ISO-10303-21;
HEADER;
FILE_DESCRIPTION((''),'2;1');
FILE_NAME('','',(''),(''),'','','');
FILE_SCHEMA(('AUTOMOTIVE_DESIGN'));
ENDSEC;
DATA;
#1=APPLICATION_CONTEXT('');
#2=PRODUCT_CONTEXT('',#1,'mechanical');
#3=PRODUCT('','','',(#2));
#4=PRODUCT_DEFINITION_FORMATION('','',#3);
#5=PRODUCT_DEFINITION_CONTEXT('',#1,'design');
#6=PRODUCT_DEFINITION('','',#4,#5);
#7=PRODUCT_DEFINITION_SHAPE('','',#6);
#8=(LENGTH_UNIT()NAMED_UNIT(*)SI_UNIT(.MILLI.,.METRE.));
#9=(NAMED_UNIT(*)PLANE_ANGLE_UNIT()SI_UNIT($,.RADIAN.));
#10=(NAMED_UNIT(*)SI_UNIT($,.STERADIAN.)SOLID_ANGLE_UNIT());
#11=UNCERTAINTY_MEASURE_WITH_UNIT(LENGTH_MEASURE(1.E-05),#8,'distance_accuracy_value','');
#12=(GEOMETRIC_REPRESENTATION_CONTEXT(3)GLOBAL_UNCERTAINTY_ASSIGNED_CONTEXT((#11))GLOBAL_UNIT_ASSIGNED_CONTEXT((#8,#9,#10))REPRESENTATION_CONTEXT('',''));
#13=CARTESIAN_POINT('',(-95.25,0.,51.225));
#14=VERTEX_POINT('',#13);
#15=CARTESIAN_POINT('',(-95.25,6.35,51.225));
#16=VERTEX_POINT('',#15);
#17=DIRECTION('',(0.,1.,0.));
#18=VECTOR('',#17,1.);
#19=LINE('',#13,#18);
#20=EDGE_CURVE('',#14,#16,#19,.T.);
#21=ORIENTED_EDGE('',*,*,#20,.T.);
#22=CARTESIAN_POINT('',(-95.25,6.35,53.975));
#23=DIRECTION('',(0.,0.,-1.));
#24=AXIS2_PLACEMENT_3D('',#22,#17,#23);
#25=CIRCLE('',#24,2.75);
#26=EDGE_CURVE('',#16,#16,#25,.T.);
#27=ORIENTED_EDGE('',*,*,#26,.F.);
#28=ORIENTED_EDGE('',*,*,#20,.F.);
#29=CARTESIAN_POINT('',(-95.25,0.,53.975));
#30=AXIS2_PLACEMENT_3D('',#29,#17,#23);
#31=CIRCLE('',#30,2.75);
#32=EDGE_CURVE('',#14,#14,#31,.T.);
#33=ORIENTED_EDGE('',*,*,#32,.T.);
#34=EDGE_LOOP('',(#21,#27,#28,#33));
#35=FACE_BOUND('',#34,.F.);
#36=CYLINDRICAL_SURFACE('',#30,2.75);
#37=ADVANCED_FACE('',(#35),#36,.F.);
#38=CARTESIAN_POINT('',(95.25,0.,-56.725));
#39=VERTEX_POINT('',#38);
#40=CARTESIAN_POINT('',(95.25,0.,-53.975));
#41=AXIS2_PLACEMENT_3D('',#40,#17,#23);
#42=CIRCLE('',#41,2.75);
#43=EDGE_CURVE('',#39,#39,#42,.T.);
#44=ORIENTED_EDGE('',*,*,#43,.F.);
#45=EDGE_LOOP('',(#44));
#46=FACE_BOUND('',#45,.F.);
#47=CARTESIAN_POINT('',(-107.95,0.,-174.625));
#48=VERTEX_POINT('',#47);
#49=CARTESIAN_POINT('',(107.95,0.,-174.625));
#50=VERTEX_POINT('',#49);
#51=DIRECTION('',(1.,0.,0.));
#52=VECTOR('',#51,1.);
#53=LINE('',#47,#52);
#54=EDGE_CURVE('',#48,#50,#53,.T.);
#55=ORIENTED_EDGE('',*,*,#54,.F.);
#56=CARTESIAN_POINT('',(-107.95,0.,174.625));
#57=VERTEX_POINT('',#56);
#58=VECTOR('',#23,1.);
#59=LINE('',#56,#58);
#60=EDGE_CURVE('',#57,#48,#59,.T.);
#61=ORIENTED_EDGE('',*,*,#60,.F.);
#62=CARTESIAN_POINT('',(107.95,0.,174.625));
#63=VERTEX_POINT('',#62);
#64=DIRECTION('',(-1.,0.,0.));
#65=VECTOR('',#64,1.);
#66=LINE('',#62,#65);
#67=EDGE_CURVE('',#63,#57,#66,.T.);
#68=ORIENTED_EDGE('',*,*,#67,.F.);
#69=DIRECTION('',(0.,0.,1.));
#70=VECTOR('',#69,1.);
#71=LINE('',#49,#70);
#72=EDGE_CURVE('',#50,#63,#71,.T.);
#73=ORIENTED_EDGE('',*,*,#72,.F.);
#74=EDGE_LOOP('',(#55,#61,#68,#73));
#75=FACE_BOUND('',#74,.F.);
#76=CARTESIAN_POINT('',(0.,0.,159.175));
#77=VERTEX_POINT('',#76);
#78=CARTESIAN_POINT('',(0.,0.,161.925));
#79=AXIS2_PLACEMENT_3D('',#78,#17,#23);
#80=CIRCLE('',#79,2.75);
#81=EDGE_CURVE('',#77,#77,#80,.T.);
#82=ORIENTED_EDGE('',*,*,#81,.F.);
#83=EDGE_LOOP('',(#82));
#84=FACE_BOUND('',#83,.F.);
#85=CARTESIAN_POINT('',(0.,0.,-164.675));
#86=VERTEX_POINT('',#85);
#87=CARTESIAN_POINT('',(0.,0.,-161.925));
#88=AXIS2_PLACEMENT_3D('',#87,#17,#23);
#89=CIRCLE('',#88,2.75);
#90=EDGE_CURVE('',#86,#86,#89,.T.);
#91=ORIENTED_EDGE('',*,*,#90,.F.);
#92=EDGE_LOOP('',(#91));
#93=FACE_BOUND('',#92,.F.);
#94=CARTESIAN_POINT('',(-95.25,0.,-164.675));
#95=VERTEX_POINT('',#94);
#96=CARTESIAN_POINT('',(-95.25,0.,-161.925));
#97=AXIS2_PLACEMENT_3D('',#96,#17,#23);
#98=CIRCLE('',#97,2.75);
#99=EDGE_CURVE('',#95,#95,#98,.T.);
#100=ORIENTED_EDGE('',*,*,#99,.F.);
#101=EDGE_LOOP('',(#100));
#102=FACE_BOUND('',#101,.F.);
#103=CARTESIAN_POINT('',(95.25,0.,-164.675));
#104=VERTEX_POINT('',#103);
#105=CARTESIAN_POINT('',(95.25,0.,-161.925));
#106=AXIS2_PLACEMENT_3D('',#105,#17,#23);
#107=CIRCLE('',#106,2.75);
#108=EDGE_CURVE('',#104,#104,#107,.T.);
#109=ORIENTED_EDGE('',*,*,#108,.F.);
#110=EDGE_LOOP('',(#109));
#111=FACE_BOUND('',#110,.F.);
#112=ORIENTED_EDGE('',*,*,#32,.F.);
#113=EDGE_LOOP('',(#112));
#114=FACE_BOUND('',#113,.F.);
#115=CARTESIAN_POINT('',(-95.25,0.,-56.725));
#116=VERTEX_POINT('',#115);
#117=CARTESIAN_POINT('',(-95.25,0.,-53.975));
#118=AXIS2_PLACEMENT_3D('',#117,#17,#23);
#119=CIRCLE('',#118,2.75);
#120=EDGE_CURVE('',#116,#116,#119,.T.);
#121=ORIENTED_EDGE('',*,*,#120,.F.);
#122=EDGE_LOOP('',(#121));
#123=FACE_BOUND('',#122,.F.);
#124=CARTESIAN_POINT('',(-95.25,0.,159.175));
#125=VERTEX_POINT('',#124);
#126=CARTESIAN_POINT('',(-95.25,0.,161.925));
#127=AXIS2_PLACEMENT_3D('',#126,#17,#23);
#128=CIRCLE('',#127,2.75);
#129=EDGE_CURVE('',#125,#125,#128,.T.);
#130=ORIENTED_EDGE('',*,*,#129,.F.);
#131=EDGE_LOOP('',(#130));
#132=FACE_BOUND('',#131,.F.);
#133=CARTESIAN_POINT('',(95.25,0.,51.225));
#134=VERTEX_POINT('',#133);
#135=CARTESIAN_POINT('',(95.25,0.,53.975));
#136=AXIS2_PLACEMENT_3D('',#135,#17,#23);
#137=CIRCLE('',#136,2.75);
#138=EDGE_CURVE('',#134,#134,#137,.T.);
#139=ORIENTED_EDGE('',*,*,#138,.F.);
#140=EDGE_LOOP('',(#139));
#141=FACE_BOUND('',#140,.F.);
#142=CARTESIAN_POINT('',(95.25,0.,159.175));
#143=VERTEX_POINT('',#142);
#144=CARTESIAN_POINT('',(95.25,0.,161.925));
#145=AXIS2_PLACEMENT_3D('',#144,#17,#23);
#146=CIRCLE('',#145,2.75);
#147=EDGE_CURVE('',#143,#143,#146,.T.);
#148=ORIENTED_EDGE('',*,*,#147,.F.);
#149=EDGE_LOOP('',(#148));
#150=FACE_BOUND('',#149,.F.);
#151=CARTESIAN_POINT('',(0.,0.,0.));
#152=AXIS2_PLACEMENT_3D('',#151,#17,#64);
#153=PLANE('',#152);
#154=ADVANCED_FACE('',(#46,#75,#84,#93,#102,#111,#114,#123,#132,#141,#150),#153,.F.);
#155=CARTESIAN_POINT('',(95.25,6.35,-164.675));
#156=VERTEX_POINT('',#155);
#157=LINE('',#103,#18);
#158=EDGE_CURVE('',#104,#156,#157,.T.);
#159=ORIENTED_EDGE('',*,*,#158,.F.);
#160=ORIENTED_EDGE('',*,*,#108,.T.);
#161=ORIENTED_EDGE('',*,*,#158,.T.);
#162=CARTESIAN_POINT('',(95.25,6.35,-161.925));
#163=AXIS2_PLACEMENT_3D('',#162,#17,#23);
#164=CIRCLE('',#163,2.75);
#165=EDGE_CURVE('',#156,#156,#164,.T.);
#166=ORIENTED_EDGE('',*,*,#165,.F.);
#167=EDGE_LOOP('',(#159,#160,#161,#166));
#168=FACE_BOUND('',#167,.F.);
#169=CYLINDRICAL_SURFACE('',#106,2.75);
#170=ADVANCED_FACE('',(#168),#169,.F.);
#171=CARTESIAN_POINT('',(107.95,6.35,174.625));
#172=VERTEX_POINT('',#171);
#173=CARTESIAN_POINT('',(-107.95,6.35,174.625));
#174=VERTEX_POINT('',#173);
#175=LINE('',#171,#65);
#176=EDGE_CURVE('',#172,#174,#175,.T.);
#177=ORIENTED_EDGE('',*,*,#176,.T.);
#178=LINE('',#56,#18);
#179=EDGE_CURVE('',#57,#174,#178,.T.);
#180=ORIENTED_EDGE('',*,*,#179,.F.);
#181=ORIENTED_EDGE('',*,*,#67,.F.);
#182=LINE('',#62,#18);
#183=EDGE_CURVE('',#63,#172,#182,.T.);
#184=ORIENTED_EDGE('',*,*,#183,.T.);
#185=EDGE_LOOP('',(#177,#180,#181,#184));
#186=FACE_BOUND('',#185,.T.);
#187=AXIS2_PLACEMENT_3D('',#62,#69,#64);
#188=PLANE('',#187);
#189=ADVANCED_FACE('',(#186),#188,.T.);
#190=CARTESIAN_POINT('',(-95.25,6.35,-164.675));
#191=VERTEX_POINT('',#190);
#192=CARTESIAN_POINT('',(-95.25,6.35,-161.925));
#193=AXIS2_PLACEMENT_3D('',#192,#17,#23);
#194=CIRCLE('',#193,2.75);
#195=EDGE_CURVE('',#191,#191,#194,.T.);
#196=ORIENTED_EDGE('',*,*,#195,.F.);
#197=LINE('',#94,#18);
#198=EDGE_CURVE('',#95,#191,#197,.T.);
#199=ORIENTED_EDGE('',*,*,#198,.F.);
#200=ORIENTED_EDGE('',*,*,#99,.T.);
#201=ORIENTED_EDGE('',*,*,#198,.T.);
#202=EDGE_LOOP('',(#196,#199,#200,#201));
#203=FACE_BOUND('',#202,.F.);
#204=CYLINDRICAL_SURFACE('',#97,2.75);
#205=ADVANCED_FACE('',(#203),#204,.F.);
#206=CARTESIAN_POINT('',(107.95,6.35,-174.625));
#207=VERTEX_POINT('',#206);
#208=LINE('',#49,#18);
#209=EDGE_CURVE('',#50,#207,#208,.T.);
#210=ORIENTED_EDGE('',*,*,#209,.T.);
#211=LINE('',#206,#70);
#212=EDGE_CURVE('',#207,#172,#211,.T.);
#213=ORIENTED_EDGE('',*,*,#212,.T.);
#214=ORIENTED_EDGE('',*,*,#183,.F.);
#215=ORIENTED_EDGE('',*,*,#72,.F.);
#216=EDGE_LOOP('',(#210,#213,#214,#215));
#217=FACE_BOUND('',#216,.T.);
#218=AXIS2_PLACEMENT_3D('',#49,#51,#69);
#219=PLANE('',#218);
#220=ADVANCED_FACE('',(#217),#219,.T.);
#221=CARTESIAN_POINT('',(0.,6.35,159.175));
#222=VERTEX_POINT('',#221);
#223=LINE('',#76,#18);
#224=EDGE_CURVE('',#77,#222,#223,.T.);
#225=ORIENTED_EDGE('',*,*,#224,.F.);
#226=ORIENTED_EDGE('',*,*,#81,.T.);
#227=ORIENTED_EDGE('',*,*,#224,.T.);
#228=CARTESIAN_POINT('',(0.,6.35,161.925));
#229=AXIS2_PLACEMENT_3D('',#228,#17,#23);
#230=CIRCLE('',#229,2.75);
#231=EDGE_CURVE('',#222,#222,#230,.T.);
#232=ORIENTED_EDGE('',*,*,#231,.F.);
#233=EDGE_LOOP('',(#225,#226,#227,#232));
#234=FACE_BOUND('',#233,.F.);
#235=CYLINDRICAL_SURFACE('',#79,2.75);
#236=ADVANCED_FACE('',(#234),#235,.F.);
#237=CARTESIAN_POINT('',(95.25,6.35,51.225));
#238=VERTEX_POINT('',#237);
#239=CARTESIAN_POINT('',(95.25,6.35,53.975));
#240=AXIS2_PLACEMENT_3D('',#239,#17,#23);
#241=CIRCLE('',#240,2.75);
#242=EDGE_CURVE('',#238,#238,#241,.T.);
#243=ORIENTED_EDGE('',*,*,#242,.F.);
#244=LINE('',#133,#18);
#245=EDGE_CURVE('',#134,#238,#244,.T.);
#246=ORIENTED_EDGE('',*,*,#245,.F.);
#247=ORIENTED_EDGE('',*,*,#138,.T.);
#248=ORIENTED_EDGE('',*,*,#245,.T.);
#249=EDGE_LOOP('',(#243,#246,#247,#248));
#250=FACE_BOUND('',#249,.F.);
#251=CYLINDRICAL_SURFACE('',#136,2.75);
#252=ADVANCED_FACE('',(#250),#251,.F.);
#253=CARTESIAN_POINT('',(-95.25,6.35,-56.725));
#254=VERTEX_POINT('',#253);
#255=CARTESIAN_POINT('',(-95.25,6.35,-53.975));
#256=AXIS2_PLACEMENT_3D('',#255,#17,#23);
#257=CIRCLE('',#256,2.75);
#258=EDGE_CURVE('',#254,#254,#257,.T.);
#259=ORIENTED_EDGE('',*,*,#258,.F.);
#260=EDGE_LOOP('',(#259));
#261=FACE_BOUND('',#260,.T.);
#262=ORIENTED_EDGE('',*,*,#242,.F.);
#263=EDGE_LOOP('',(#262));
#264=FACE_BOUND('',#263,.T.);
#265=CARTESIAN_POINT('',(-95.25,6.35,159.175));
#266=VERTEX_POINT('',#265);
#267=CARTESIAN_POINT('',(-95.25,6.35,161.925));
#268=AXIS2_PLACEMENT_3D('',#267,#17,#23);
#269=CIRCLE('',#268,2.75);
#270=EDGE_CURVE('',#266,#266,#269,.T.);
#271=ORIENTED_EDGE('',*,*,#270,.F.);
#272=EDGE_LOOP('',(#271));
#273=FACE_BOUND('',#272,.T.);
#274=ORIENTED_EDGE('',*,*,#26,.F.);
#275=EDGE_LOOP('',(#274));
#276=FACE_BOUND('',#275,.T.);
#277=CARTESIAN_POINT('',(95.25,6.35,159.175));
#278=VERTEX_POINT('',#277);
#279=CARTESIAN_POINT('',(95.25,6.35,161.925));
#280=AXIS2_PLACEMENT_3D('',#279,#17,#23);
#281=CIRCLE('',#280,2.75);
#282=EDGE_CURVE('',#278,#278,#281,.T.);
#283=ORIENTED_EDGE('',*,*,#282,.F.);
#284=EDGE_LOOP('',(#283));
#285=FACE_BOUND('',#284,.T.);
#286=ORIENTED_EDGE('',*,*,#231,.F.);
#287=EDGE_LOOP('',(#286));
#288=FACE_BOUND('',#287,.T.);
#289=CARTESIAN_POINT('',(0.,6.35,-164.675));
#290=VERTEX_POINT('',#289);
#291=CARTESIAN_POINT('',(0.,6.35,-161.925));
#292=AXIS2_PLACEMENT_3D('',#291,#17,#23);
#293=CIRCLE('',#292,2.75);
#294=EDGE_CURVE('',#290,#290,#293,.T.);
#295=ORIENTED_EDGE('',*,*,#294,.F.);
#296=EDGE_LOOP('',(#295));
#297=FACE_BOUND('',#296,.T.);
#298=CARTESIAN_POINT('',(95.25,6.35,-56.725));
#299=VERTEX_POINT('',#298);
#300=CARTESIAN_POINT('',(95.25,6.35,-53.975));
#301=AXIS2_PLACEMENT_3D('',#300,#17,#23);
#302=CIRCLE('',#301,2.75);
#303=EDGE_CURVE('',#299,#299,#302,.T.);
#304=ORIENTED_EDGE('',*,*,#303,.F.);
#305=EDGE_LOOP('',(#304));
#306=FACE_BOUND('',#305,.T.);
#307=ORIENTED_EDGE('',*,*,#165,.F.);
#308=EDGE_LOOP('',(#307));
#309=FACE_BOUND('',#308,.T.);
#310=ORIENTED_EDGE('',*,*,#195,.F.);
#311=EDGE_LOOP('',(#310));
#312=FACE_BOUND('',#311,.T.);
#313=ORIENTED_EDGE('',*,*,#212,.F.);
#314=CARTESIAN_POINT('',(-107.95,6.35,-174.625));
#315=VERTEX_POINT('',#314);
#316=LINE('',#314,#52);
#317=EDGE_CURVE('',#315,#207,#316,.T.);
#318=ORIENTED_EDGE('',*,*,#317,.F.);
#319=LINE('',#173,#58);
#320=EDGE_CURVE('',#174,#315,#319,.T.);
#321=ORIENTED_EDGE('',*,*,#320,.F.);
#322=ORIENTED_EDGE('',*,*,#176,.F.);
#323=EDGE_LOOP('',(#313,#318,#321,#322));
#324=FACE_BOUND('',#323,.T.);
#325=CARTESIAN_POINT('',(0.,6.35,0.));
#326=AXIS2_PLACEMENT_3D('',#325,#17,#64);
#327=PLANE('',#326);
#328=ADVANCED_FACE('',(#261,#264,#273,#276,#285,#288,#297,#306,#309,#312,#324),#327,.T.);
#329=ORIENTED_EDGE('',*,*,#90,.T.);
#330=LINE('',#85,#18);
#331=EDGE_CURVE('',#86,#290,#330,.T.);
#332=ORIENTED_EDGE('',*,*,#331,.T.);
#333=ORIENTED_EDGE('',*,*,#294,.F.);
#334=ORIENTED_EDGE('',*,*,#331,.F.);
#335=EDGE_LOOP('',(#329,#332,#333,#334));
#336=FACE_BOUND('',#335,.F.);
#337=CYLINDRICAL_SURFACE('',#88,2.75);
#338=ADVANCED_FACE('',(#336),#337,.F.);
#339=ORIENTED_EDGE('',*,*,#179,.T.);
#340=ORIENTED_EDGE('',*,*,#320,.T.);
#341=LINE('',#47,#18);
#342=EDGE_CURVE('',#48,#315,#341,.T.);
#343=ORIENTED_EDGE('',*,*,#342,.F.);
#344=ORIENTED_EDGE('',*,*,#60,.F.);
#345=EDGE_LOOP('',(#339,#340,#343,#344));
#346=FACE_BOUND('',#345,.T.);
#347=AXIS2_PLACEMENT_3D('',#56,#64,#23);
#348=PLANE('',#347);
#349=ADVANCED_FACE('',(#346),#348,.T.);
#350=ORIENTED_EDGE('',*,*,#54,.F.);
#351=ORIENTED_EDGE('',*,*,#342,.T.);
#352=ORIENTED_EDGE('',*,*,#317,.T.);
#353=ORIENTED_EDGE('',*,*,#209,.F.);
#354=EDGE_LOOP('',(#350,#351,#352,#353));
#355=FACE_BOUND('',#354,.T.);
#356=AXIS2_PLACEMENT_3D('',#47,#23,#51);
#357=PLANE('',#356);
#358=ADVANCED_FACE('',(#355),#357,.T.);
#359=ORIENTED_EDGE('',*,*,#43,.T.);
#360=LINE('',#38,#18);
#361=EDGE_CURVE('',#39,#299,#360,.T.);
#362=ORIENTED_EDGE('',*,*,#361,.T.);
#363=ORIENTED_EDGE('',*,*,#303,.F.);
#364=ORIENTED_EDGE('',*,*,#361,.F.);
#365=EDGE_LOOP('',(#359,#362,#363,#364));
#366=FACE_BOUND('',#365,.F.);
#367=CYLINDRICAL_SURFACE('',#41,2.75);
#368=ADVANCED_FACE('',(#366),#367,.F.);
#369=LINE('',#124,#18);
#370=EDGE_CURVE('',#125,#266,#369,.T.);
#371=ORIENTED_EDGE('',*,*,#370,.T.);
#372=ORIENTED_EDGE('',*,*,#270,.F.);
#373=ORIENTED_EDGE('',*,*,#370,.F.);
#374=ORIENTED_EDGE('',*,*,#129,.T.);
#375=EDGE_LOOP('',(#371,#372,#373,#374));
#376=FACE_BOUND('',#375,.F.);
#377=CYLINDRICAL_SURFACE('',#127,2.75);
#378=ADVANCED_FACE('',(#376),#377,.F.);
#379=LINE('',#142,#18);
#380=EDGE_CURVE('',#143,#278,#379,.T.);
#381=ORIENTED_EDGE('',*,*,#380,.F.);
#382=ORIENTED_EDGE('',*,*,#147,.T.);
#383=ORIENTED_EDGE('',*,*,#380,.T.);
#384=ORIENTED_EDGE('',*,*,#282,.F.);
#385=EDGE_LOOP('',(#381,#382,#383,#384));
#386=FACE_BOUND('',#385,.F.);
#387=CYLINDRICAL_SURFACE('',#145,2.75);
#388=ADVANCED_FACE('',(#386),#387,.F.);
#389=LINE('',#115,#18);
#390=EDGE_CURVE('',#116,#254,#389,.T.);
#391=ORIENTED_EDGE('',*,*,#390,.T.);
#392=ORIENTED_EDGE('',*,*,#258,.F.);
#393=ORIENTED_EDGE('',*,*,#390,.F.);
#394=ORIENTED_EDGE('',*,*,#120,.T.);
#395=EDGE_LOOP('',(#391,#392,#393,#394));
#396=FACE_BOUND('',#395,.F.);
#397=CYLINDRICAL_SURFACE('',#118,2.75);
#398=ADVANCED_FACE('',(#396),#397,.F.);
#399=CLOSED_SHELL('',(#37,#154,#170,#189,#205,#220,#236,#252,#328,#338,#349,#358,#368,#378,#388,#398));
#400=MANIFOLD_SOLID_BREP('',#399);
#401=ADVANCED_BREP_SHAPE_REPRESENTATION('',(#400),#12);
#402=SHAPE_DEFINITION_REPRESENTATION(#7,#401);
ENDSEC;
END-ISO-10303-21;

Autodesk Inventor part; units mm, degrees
ref_plane "YZ Plane" through (0, 0, 0) normal (1, 0, 0) x (0, 1, 0)
ref_plane "XZ Plane" through (0, 0, 0) normal (0, 1, 0) x (-1, 0, 0)
ref_plane "XY Plane" through (0, 0, 0) normal (0, 0, 1) x (1, 0, 0)
sketch "Sketch1" plane through (0, 0, 0) normal (0, 1, 0) x (-1, 0, 0)
  line L0 (107.95, -174.625) -> (-107.95, -174.625)
  line L1 (-107.95, -174.625) -> (-107.95, 174.625)
  line L2 (-107.95, 174.625) -> (107.95, 174.625)
  line L3 (107.95, 174.625) -> (107.95, -174.625)
  line L4 (107.95, -174.625) -> (-107.95, 174.625) construction
  line L5 (-107.95, -174.625) -> (107.95, 174.625) construction
  point P0 (0, 0)
  dimension "d0" = 215.9
  dimension "d1" = 349.25
extrude "Extrusion1" add sketch "Sketch1" along normal blind 6.35
sketch "Sketch2" plane through (0, 0, 0) normal (0, -1, 0) x (1, 0, 0)
  circle A0 centre (-95.25, 53.975) radius 1.75 projected
  circle A1 centre (0, 161.925) radius 1.75 projected
  circle A2 centre (95.25, 53.975) radius 1.75 projected
  circle A3 centre (95.25, 161.925) radius 1.75 projected
  circle A4 centre (-95.25, 161.925) radius 1.75 projected
  circle A5 centre (-95.25, -161.925) radius 1.75 projected
  circle A6 centre (95.25, -161.925) radius 1.75 projected
  circle A7 centre (95.25, -53.975) radius 1.75 projected
  circle A8 centre (0, -161.925) radius 1.75 projected
  circle A9 centre (-95.25, -53.975) radius 1.75 projected
  circle A10 centre (-65.0875, -144.0656) radius 1.75 projected
  circle A11 centre (65.0875, -144.0656) radius 1.75 projected
  circle A12 centre (49.2125, -144.0656) radius 1.75 projected
  circle A13 centre (-49.2125, -144.0656) radius 1.75 projected
  line L0 (-82.55, -136.525) -> (82.55, -136.525) projected
  line L1 (82.55, -136.525) -> (82.55, 136.525) projected
  line L2 (82.55, 136.525) -> (-82.55, 136.525) projected
  line L3 (-82.55, 136.525) -> (-82.55, -136.525) projected
  line L4 (107.95, -174.625) -> (-107.95, -174.625) projected
  line L5 (-107.95, -174.625) -> (-107.95, 174.625) projected
  line L6 (-107.95, 174.625) -> (107.95, 174.625) projected
  line L7 (107.95, 174.625) -> (107.95, -174.625) projected
  point P0 (0, 0)
hole "Hole1" at (95.25, 0, -161.925) at (0, 0, -161.925) at (-95.25, 0, -161.925) at (-95.25, 0, -53.975) at (-95.25, 0, 53.975) at (-95.25, 0, 161.925) at (0, 0, 161.925) at (95.25, 0, 161.925) at (95.25, 0, 53.975) at (95.25, 0, -53.975) direction (0, 1, 0) diameter 5.5 end through all
sketch "Electronics Area" plane through (0, 6.35, 0) normal (0, 1, 0) x (1, 0, 0)
  line L0 (-88.9, -155.575) -> (88.392, -155.575) projected
  line L1 (-88.9, 174.625) -> (-88.9, -485.775) projected
  line L2 (88.392, 155.575) -> (-88.9, 155.575) projected
  line L3 (88.9, 174.625) -> (88.9, -485.775) projected
  line L4 (88.9, 155.575) -> (-88.9, 155.575)
  line L5 (-88.9, 155.575) -> (-88.9, -155.575)
  line L6 (-88.9, -155.575) -> (88.9, -155.575)
  line L7 (88.9, -155.575) -> (88.9, 155.575)
  line L8 (76.2, 142.875) -> (-76.2, 142.875)
  line L9 (-76.2, 142.875) -> (-76.2, -142.875)
  line L10 (-76.2, -142.875) -> (76.2, -142.875)
  line L11 (76.2, -142.875) -> (76.2, 142.875)
  point P0 (0, 0)
  dimension "d11" = 12.7
properties part number "NASA-20-EBOX-B-01" material "Polycarbonate, Clear"
